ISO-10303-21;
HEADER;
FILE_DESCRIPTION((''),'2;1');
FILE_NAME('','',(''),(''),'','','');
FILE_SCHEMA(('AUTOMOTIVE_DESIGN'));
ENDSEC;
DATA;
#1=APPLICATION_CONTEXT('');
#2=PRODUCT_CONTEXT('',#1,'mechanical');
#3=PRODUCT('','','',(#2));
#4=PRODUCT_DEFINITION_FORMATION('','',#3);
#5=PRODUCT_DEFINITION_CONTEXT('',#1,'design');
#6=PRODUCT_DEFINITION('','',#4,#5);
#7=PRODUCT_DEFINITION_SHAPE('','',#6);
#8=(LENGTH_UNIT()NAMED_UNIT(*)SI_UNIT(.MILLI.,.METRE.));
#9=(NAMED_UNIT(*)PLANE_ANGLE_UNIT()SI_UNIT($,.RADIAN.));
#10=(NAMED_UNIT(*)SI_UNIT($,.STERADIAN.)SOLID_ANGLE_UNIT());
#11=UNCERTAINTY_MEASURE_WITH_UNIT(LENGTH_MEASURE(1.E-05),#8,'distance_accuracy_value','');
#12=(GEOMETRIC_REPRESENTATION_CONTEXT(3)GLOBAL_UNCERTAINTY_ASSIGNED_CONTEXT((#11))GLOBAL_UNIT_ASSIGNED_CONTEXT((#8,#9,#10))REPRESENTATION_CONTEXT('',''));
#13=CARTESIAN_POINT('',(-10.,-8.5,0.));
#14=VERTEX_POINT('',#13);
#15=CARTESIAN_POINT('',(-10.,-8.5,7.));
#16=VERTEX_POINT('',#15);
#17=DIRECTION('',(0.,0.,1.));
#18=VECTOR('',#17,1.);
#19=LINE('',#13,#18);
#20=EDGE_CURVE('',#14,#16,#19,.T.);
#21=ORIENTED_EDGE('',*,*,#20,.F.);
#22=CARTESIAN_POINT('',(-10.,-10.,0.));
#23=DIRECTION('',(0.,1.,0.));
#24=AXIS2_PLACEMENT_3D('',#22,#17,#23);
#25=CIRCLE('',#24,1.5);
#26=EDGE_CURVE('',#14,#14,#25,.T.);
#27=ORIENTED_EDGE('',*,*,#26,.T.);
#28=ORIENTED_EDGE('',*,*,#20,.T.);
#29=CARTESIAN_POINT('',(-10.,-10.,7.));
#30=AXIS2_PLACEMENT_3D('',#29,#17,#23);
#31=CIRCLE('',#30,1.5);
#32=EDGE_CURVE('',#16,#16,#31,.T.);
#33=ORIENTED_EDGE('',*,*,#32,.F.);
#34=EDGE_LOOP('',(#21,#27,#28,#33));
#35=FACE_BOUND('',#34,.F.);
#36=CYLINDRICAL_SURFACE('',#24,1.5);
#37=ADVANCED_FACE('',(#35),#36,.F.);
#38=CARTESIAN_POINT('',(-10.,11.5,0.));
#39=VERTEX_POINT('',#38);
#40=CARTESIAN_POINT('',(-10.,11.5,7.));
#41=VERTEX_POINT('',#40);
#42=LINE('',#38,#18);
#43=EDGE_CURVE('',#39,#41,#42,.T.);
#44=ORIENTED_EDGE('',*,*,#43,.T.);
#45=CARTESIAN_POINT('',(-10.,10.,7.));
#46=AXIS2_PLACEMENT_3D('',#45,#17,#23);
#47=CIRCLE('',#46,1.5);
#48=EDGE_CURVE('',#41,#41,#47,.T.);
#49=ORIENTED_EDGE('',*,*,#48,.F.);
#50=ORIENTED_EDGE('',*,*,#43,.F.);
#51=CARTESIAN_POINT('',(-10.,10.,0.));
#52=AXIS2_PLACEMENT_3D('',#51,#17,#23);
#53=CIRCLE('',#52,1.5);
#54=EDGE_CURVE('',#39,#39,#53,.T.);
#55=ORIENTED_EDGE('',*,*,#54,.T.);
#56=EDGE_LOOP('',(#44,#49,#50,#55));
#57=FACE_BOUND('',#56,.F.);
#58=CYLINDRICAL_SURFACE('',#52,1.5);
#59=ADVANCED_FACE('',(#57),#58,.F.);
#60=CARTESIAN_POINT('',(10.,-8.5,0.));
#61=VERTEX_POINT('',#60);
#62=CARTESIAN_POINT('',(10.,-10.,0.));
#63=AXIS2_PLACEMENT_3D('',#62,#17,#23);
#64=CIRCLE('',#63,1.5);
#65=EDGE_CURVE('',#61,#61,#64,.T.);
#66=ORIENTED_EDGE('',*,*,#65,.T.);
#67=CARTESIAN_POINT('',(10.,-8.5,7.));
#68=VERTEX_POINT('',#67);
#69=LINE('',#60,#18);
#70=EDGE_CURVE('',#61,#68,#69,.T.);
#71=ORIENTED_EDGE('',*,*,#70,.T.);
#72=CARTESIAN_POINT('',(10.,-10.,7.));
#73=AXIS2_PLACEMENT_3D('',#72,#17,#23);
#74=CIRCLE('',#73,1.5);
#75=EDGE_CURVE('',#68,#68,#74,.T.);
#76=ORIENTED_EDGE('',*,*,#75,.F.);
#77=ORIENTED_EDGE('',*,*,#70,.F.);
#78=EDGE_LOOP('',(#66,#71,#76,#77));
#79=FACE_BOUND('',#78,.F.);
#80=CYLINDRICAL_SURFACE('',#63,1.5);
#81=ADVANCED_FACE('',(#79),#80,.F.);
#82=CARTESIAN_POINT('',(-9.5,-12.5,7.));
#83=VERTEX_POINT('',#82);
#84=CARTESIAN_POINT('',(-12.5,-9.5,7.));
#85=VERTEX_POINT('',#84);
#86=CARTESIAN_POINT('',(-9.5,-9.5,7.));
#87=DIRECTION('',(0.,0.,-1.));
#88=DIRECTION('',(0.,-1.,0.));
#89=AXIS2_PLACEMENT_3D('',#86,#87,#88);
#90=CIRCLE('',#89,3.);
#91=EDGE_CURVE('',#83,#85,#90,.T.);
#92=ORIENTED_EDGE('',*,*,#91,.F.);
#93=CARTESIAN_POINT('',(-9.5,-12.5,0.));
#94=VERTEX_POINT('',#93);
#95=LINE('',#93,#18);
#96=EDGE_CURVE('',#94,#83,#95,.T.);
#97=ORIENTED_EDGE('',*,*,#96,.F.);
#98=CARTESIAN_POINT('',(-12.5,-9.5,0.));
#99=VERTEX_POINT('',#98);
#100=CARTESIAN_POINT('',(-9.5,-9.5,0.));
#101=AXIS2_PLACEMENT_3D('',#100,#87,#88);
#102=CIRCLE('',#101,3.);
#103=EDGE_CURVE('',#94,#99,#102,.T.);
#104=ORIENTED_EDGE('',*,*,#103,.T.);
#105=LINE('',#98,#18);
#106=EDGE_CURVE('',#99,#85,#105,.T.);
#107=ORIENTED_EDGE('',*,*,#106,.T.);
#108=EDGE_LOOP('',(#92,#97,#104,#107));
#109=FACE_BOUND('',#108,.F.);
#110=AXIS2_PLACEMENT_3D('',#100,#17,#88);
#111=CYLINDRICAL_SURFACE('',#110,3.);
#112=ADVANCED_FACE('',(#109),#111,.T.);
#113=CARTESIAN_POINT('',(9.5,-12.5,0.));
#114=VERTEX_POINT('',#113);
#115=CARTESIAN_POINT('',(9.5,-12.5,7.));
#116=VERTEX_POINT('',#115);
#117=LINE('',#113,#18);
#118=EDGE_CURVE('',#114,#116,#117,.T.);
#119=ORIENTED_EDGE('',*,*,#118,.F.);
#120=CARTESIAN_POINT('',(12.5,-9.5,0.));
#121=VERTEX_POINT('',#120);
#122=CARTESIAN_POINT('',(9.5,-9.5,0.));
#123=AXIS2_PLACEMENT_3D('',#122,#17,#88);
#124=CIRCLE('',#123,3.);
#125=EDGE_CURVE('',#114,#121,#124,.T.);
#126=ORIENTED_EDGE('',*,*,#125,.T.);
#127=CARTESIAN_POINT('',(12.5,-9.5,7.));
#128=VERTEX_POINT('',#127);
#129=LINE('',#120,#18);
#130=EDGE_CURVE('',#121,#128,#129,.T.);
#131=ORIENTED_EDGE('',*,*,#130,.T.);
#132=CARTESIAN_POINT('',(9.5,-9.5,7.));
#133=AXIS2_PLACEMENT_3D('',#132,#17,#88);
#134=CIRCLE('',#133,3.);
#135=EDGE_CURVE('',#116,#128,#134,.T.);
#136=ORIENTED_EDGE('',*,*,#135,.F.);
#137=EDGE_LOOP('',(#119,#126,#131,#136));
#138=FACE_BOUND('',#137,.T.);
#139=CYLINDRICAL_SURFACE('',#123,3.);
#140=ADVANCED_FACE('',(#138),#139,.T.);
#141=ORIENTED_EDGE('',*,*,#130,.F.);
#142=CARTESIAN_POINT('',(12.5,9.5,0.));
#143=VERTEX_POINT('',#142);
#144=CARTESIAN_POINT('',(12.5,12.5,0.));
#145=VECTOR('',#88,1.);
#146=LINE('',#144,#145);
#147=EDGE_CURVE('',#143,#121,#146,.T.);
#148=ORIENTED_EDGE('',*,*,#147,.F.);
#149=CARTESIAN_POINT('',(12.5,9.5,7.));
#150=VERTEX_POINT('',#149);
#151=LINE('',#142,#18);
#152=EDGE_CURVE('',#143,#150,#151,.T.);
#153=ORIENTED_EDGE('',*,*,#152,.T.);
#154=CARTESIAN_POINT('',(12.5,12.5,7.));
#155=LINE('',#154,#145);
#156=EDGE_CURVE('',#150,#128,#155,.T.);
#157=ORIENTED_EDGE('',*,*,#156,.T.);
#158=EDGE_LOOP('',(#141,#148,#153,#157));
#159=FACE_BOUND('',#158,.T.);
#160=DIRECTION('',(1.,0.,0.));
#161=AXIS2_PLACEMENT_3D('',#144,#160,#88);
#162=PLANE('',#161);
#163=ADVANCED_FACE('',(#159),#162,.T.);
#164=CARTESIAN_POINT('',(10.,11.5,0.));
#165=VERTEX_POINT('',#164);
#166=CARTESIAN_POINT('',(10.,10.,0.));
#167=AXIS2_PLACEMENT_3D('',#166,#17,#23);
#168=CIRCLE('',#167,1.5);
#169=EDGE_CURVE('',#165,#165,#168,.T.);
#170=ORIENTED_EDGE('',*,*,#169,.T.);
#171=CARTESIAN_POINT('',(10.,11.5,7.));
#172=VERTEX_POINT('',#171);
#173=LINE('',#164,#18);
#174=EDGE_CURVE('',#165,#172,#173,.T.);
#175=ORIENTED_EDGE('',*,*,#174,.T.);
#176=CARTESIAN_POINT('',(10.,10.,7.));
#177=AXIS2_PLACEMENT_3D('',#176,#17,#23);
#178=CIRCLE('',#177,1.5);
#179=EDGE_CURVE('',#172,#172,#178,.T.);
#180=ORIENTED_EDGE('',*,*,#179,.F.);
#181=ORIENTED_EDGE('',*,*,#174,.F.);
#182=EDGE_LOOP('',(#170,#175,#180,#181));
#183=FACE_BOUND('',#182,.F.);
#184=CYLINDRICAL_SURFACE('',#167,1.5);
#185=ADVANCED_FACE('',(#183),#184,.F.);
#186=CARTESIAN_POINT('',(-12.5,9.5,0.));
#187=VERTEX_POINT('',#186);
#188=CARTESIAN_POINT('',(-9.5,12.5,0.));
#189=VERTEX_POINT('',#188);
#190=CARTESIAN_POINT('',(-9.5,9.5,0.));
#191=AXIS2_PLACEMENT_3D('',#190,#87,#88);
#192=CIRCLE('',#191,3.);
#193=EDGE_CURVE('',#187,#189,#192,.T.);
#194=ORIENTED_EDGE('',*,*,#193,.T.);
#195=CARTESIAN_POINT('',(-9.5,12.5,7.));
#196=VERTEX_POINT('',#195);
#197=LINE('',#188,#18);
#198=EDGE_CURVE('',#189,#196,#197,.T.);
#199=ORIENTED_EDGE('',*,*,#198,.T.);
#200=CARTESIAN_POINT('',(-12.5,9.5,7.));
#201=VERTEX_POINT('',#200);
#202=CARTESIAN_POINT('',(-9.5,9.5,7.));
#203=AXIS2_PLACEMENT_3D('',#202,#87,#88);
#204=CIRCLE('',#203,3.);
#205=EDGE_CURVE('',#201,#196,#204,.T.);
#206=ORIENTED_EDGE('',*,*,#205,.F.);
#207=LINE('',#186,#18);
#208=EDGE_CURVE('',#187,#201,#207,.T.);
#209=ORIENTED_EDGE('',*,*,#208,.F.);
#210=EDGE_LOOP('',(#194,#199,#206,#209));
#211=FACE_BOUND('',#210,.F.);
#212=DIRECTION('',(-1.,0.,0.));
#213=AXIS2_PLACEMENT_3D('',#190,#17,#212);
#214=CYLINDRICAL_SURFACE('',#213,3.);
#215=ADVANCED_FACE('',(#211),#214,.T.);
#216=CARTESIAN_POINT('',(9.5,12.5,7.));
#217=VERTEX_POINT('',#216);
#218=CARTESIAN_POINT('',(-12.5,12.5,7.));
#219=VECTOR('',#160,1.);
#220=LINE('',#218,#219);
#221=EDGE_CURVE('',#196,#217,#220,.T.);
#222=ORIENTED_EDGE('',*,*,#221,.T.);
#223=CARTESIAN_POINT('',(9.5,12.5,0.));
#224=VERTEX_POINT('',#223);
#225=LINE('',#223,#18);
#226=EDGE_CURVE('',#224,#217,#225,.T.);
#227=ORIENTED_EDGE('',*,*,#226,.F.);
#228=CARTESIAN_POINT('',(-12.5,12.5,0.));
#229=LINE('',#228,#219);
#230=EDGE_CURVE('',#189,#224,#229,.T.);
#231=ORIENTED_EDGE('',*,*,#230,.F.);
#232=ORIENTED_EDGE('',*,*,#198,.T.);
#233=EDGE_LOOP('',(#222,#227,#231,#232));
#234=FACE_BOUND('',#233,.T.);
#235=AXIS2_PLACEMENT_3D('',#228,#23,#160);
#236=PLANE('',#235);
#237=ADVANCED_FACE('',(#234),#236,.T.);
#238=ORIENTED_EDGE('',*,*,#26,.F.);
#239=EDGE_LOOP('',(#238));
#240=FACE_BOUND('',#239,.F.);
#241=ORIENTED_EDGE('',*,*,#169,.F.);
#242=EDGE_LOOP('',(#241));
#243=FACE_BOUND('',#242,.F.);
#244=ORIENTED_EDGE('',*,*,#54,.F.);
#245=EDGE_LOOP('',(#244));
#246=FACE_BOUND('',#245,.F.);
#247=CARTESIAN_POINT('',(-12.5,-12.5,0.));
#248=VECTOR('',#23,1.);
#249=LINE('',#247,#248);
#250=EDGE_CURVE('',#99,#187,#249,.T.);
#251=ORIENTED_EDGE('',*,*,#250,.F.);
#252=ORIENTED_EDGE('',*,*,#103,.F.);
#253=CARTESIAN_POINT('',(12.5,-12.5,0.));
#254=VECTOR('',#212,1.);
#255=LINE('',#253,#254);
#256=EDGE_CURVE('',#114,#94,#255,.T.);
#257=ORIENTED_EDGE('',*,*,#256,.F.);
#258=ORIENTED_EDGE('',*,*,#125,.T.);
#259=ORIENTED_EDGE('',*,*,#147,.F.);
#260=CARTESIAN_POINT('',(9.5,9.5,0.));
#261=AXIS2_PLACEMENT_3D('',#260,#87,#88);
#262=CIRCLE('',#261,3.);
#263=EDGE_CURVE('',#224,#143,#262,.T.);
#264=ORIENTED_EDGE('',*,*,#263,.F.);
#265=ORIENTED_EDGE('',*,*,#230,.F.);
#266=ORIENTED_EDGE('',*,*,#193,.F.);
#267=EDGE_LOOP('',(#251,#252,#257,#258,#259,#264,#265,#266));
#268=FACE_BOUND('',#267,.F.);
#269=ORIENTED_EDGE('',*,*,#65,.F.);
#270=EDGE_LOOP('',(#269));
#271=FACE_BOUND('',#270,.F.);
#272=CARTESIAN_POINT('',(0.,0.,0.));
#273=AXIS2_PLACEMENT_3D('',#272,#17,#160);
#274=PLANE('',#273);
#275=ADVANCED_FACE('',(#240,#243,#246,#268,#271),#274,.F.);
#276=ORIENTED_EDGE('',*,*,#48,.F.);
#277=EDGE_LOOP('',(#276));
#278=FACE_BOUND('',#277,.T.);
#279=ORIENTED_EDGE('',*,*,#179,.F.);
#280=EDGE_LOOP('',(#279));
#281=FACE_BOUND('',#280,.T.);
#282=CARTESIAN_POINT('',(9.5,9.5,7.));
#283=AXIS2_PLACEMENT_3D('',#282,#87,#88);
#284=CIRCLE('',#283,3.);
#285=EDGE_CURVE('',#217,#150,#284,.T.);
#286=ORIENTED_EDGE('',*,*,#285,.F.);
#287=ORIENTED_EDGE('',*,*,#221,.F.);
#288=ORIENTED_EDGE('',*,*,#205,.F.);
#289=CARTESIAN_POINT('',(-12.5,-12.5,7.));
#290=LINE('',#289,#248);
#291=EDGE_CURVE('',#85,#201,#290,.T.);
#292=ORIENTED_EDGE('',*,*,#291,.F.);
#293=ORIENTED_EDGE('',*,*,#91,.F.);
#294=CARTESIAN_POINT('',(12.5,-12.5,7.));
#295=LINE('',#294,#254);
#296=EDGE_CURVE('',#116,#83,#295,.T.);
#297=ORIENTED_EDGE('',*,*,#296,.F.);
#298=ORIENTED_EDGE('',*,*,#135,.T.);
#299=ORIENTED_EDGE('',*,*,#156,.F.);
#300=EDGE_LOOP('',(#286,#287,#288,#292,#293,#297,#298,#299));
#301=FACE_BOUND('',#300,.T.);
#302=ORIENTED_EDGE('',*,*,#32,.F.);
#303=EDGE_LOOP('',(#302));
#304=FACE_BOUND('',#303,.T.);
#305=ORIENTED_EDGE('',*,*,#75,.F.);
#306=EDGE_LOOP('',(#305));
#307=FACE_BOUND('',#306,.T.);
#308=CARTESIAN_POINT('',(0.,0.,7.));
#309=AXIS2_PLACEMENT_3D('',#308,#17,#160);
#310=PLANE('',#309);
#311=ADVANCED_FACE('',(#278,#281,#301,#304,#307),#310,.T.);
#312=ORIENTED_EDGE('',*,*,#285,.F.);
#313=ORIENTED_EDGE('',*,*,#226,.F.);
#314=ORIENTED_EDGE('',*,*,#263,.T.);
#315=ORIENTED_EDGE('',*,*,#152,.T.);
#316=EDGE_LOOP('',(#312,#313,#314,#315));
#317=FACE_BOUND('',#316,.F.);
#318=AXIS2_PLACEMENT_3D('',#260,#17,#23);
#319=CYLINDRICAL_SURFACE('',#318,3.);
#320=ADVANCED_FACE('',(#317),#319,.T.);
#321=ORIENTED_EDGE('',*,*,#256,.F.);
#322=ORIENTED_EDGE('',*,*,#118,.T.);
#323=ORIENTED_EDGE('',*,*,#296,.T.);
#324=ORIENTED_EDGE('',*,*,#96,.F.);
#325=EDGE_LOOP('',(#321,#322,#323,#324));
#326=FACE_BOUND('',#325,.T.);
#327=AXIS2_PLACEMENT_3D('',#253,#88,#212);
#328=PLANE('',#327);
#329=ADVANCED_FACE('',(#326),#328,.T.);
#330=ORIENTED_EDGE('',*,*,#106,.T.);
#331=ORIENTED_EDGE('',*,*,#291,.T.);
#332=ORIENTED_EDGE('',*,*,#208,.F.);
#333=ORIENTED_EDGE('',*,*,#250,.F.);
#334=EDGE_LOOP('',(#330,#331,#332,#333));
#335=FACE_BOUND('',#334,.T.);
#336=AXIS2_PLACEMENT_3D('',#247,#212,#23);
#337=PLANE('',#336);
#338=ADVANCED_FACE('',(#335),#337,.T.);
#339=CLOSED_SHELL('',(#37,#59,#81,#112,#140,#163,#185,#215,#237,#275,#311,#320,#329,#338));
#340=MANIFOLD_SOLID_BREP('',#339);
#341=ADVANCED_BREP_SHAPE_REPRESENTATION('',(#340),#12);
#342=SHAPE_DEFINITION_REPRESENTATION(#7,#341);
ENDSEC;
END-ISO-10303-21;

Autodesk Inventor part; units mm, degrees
ref_plane "YZ Plane" through (0, 0, 0) normal (1, 0, 0) x (0, 1, 0)
ref_plane "XZ Plane" through (0, 0, 0) normal (0, 1, 0) x (-1, 0, 0)
ref_plane "XY Plane" through (0, 0, 0) normal (0, 0, 1) x (1, 0, 0)
sketch "Sketch1" plane through (0, 0, 0) normal (0, 0, 1) x (1, 0, 0)
  line L0 (12.5, -12.5) -> (-12.5, -12.5)
  line L1 (-12.5, -12.5) -> (-12.5, 12.5)
  line L2 (-12.5, 12.5) -> (12.5, 12.5)
  line L3 (12.5, 12.5) -> (12.5, -12.5)
  line L4 (12.5, -12.5) -> (-12.5, 12.5) construction
  line L5 (-12.5, -12.5) -> (12.5, 12.5) construction
  line L6 (10, -10) -> (-10, -10) construction
  line L7 (-10, -10) -> (-10, 10) construction
  line L8 (-10, 10) -> (10, 10) construction
  line L9 (10, 10) -> (10, -10) construction
  line L10 (10, -10) -> (-10, 10) construction
  line L11 (-10, -10) -> (10, 10) construction
  point P0 (0, 0)
  dimension "d0" = 25
  dimension "d1" = 25
  dimension "d2" = 20
  dimension "d3" = 20
extrude "Extrusion1" add sketch "Sketch1" along normal blind 7
fillet "Fillet1" radius 3 4 edges at (12.5, -12.5, 3.5) (-12.5, -12.5, 3.5) (12.5, 12.5, 3.5) (-12.5, 12.5, 3.5)
hole "Hole1" at (10, -10, 0) at (10, 10, 0) at (-10, 10, 0) at (-10, -10, 0) direction (0, 0, 1) diameter 3 end through all
properties part number "YDM2507C12F" material "Acetal Resin, Black"
